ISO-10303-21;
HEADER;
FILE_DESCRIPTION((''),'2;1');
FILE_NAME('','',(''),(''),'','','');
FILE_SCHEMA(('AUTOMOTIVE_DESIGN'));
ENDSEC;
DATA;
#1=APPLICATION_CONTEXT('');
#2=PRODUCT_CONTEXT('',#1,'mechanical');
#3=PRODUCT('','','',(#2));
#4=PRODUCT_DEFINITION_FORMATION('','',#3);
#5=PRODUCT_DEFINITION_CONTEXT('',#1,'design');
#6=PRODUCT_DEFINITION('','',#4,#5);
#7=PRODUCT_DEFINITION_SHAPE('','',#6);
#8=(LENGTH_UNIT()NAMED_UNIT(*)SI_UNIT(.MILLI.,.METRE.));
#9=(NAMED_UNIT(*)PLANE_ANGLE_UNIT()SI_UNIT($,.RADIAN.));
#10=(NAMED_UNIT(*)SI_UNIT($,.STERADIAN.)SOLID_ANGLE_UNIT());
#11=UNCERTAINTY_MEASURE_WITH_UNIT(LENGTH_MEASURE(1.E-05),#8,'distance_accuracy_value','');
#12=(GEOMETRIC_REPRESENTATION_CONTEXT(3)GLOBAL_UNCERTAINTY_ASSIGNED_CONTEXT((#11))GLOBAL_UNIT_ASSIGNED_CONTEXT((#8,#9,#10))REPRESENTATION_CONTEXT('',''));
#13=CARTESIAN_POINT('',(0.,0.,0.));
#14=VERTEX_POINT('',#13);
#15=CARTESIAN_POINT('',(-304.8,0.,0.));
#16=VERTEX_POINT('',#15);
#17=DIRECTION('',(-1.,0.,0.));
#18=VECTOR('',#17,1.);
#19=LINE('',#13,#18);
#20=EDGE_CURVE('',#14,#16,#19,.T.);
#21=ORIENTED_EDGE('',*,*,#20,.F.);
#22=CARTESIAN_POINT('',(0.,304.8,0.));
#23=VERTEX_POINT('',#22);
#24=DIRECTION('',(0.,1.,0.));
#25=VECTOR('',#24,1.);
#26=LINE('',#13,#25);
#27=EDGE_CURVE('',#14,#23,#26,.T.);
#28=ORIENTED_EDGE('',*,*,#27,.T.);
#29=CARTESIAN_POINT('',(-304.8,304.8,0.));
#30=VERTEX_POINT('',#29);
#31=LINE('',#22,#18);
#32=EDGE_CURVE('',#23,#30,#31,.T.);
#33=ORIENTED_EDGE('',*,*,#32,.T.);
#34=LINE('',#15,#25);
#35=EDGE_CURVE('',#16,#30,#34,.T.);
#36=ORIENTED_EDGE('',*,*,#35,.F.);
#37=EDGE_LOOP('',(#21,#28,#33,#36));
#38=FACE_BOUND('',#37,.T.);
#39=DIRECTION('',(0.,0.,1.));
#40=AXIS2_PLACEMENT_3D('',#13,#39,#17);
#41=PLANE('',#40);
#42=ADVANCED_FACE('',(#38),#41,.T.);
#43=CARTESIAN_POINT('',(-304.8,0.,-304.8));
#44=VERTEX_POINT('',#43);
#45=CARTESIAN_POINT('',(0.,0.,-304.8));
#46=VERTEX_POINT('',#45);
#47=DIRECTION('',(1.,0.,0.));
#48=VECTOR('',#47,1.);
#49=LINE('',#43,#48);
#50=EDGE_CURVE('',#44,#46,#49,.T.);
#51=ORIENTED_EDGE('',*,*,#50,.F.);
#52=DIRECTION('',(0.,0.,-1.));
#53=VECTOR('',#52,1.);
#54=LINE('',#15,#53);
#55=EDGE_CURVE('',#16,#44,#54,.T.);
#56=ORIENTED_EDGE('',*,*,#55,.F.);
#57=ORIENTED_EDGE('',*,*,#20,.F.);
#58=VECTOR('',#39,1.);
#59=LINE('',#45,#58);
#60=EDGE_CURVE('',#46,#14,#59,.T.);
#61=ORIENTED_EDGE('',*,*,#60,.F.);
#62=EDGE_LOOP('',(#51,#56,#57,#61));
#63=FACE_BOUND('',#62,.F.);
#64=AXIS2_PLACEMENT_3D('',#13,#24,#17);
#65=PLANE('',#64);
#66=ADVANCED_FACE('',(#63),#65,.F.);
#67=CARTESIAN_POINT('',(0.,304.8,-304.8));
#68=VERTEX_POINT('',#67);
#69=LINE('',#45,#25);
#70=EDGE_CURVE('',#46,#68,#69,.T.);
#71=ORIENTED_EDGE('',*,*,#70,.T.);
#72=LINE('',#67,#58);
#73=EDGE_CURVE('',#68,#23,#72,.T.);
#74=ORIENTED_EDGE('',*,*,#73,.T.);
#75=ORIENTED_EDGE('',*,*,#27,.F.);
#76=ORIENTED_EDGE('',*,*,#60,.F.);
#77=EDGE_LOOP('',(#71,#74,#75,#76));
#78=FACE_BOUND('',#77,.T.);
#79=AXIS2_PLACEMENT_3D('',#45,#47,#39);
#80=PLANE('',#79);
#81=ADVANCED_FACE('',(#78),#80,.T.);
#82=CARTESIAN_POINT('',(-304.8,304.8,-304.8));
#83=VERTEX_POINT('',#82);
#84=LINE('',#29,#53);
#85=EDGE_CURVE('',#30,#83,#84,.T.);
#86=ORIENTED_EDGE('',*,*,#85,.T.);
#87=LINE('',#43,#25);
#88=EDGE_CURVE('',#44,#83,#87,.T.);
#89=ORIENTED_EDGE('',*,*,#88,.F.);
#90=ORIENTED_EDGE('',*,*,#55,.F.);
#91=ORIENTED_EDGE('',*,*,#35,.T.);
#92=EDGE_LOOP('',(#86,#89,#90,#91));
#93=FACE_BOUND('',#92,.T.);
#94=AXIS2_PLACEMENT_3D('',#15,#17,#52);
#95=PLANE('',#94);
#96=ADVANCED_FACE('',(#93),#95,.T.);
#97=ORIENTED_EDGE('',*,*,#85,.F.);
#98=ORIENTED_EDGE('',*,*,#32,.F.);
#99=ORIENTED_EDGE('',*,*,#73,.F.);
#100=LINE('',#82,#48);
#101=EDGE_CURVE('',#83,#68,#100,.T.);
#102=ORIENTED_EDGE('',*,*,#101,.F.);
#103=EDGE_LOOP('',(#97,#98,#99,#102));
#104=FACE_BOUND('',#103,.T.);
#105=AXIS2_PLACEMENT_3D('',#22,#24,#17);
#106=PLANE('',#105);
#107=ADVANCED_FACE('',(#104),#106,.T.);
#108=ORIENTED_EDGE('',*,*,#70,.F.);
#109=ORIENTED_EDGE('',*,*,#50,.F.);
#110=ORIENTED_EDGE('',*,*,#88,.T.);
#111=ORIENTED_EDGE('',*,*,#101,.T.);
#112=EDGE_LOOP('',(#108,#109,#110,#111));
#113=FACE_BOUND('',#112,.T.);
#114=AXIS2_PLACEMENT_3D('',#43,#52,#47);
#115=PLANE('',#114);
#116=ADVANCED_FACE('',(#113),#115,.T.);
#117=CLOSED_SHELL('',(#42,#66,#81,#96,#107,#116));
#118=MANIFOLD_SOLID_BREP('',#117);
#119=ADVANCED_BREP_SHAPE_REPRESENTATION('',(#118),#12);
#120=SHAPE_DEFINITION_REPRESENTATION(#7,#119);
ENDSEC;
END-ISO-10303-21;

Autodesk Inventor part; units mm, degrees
ref_plane "YZ Plane" through (0, 0, 0) normal (1, 0, 0) x (0, 1, 0)
ref_plane "XZ Plane" through (0, 0, 0) normal (0, 1, 0) x (-1, 0, 0)
ref_plane "XY Plane" through (0, 0, 0) normal (0, 0, 1) x (1, 0, 0)
sketch "Sketch1" plane through (0, 0, 0) normal (0, 1, 0) x (-1, 0, 0)
  line L0 (0, 0) -> (304.8, 0)
  line L1 (304.8, 0) -> (304.8, -304.8)
  line L2 (304.8, -304.8) -> (0, -304.8)
  line L3 (0, -304.8) -> (0, 0)
  dimension "d0" = 304.8
  dimension "d1" = 304.8
extrude "Extrusion1" add sketch "Sketch1" along normal blind 304.8
ref_plane "Work Plane1" through (-304.8, 0, -304.8) normal (-1, 0, 0) x (0, 0, 1)
ref_plane "Work Plane2" through (0, 0, -304.8) normal (0, 0, -1) x (-1, 0, 0)
ref_plane "Work Plane3" through (-304.8, 0, 0) normal (0, 0, 1) x (1, 0, 0)
ref_plane "Work Plane4" through (0, 304.8, 0) normal (0, 1, 0) x (1, 0, 0)
ref_plane "Work Plane5" through (0, 0, 0) normal (1, 0, 0) x (0, 0, -1)
ref_plane "Work Plane6" through (0, 0, 0) normal (0, -1, 0) x (1, 0, 0)
sketch "Sketch2" plane through (0, 0, -304.8) normal (0, 0, -1) x (-1, 0, 0)
  line L0 (0, 0) -> (304.8, 0) construction
  line L1 (304.8, 0) -> (304.8, 304.8) construction
  line L2 (0, 304.8) -> (304.8, 304.8) construction
  line L3 (0, 0) -> (0, 304.8) construction
sketch "Sketch3" plane through (-304.8, 0, -304.8) normal (-1, 0, 0) x (0, 0, 1)
  line L0 (0, 0) -> (304.8, 0) construction
  line L1 (304.8, 0) -> (304.8, 304.8) construction
  line L2 (0, 304.8) -> (304.8, 304.8) construction
  line L3 (0, 0) -> (0, 304.8) construction
sketch "Sketch4" plane through (0, 304.8, 0) normal (0, 1, 0) x (1, 0, 0)
  line L0 (0, 304.8) -> (-304.8, 304.8) construction
  line L1 (-304.8, 304.8) -> (-304.8, 0) construction
  line L2 (-304.8, 0) -> (0, 0) construction
  line L3 (0, 0) -> (0, 304.8) construction
